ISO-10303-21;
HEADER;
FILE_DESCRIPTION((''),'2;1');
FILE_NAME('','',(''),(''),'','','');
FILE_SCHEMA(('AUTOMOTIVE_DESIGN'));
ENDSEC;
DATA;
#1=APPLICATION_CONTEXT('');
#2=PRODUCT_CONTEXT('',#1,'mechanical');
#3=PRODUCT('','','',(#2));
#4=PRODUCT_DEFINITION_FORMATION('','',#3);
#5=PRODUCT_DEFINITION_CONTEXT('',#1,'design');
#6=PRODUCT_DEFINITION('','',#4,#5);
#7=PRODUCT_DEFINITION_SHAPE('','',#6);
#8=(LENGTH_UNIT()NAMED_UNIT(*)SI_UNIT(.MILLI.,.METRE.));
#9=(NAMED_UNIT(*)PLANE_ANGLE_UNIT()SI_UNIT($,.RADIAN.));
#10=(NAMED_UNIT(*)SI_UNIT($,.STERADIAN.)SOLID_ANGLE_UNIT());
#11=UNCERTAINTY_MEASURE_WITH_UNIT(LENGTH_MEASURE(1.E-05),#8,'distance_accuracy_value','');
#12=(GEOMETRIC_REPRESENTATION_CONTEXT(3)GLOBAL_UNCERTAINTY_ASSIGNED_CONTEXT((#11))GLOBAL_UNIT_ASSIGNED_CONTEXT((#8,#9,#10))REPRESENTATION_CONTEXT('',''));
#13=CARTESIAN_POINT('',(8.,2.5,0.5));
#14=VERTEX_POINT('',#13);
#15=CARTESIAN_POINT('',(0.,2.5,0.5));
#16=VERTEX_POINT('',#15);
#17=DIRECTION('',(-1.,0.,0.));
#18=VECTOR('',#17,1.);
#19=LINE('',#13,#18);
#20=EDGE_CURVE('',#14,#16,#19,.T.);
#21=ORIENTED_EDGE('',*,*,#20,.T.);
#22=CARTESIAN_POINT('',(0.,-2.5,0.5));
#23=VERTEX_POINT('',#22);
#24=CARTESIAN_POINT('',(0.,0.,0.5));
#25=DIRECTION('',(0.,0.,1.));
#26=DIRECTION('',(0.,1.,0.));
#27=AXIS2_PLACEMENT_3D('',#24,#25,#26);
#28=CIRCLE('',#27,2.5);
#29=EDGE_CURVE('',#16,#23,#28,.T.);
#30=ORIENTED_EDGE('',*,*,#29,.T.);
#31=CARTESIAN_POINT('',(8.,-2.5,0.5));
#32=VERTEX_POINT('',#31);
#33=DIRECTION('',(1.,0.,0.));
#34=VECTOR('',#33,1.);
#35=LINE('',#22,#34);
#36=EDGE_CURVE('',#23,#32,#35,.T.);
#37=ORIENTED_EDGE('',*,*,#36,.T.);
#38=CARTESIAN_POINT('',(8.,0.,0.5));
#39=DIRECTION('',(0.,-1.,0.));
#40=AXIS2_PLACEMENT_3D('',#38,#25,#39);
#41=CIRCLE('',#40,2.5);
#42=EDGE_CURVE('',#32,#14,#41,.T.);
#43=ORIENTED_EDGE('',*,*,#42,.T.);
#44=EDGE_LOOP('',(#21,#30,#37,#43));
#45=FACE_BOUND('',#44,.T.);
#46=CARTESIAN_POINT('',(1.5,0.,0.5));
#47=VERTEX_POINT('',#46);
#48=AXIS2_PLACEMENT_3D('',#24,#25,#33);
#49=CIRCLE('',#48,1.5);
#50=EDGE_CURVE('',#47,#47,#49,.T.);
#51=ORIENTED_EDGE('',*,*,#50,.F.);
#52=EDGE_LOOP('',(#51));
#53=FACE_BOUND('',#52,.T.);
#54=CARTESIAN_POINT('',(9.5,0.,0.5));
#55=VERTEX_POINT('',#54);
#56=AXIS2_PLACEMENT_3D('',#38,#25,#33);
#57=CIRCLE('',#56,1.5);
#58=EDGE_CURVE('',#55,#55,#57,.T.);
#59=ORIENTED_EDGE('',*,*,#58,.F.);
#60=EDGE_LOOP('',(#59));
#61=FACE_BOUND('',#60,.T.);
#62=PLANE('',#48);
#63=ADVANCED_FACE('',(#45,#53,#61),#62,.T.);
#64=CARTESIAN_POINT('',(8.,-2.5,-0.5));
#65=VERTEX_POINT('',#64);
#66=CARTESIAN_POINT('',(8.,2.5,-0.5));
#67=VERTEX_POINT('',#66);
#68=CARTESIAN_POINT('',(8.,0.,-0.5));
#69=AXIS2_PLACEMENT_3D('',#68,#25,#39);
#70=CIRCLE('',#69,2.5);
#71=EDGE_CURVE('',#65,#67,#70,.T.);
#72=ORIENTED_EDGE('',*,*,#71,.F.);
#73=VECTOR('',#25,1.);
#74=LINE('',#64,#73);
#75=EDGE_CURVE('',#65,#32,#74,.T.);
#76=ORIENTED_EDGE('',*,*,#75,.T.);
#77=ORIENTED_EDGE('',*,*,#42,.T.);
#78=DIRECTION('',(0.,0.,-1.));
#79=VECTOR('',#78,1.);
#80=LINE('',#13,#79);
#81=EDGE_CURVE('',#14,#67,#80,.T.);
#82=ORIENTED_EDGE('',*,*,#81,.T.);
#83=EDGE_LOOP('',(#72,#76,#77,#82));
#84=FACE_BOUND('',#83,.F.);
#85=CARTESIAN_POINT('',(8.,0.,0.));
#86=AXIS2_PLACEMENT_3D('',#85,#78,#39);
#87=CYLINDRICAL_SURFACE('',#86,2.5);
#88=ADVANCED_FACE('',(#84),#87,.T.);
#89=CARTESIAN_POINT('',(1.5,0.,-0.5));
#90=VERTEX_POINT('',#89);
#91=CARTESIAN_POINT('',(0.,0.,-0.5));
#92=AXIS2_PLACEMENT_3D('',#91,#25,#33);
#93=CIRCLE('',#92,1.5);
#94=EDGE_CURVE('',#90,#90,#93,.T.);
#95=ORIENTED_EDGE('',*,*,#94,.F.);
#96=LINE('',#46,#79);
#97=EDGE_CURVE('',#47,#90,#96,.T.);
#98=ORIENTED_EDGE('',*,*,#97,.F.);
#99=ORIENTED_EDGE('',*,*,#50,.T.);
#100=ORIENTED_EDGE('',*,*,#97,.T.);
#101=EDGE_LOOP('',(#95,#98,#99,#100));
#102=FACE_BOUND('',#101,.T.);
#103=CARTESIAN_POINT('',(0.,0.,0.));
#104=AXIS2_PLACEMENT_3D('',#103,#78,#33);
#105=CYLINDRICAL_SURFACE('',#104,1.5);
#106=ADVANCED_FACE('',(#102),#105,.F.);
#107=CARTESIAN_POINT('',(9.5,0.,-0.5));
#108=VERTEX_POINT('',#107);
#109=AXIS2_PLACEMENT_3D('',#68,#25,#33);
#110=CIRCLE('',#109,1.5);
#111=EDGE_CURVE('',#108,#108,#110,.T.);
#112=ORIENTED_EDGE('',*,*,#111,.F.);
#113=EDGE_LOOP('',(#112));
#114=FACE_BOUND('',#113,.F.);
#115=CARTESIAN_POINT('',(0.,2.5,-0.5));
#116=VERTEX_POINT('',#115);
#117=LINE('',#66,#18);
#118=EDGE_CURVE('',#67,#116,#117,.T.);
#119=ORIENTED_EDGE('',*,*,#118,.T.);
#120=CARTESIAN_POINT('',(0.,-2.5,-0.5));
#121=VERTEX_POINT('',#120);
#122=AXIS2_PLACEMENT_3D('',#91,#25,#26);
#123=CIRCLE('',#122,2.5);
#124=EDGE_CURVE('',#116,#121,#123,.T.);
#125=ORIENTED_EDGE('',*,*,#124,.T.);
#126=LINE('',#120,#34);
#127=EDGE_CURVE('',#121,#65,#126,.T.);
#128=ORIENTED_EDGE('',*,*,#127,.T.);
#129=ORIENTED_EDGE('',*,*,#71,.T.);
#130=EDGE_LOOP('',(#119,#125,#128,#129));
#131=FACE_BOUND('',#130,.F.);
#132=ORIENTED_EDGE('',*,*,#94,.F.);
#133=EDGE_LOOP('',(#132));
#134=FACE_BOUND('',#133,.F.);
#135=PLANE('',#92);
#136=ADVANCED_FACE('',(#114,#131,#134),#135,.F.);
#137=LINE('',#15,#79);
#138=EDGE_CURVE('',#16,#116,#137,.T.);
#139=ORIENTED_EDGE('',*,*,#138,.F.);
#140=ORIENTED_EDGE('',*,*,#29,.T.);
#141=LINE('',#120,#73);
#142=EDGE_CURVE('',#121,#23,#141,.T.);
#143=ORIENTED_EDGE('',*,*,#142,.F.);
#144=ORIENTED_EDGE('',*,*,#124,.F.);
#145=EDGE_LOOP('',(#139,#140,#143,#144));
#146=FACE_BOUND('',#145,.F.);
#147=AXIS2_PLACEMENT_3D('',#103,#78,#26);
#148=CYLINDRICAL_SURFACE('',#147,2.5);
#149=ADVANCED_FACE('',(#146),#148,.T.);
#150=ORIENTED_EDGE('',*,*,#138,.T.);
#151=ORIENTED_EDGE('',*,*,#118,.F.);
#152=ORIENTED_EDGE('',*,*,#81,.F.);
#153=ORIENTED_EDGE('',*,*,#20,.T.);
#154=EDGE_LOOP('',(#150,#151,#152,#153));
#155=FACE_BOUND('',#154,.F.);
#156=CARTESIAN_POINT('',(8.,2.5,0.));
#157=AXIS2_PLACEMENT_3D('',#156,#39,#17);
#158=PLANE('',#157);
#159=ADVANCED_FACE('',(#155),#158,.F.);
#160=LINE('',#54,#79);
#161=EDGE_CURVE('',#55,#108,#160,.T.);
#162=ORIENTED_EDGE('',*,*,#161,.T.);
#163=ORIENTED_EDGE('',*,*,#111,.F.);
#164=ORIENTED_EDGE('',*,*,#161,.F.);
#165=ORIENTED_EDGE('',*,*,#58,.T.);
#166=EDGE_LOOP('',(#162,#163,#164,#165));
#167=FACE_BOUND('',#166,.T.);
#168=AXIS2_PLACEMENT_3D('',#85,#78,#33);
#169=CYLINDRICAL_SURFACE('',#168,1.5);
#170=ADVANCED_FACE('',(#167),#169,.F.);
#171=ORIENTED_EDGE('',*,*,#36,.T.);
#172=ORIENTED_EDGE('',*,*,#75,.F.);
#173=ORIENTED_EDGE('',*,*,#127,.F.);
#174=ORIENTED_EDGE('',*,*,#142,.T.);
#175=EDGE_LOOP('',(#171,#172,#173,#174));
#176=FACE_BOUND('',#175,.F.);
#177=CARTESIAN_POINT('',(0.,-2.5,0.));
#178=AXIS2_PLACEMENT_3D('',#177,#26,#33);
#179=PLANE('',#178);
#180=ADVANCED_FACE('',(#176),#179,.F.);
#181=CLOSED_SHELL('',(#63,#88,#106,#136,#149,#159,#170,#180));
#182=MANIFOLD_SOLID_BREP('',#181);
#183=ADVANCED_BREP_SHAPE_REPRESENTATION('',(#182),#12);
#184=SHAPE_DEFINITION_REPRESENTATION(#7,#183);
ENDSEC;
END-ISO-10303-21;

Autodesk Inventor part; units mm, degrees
ref_plane "YZ Plane" through (0, 0, 0) normal (1, 0, 0) x (0, 1, 0)
ref_plane "XZ Plane" through (0, 0, 0) normal (0, 1, 0) x (-1, 0, 0)
ref_plane "XY Plane" through (0, 0, 0) normal (0, 0, 1) x (1, 0, 0)
sketch "Sketch1" plane through (0, 0, 0) normal (0, 0, 1) x (1, 0, 0)
  line L0 (0, 0) -> (8, 0) construction
  line L1 (0, -2.5) -> (8, -2.5)
  line L2 (8, 2.5) -> (0, 2.5)
  arc A0 (0, 2.5) -> (0, -2.5) centre (0, 0) ccw
  arc A1 (8, -2.5) -> (8, 2.5) centre (8, 0) ccw
  circle A2 centre (8, 0) radius 1.5
  circle A3 centre (0, 0) radius 1.5
  point P0 (4, 0)
  dimension "d0" = 8
  dimension "d1" = 5
  dimension "d2" = 3
  dimension "d3" = 3
extrude "Extrusion1" add sketch "Sketch1" along normal mid plane 1
properties part number "CompressionRollerActuatorLinkage1" material "Stainless Steel"
